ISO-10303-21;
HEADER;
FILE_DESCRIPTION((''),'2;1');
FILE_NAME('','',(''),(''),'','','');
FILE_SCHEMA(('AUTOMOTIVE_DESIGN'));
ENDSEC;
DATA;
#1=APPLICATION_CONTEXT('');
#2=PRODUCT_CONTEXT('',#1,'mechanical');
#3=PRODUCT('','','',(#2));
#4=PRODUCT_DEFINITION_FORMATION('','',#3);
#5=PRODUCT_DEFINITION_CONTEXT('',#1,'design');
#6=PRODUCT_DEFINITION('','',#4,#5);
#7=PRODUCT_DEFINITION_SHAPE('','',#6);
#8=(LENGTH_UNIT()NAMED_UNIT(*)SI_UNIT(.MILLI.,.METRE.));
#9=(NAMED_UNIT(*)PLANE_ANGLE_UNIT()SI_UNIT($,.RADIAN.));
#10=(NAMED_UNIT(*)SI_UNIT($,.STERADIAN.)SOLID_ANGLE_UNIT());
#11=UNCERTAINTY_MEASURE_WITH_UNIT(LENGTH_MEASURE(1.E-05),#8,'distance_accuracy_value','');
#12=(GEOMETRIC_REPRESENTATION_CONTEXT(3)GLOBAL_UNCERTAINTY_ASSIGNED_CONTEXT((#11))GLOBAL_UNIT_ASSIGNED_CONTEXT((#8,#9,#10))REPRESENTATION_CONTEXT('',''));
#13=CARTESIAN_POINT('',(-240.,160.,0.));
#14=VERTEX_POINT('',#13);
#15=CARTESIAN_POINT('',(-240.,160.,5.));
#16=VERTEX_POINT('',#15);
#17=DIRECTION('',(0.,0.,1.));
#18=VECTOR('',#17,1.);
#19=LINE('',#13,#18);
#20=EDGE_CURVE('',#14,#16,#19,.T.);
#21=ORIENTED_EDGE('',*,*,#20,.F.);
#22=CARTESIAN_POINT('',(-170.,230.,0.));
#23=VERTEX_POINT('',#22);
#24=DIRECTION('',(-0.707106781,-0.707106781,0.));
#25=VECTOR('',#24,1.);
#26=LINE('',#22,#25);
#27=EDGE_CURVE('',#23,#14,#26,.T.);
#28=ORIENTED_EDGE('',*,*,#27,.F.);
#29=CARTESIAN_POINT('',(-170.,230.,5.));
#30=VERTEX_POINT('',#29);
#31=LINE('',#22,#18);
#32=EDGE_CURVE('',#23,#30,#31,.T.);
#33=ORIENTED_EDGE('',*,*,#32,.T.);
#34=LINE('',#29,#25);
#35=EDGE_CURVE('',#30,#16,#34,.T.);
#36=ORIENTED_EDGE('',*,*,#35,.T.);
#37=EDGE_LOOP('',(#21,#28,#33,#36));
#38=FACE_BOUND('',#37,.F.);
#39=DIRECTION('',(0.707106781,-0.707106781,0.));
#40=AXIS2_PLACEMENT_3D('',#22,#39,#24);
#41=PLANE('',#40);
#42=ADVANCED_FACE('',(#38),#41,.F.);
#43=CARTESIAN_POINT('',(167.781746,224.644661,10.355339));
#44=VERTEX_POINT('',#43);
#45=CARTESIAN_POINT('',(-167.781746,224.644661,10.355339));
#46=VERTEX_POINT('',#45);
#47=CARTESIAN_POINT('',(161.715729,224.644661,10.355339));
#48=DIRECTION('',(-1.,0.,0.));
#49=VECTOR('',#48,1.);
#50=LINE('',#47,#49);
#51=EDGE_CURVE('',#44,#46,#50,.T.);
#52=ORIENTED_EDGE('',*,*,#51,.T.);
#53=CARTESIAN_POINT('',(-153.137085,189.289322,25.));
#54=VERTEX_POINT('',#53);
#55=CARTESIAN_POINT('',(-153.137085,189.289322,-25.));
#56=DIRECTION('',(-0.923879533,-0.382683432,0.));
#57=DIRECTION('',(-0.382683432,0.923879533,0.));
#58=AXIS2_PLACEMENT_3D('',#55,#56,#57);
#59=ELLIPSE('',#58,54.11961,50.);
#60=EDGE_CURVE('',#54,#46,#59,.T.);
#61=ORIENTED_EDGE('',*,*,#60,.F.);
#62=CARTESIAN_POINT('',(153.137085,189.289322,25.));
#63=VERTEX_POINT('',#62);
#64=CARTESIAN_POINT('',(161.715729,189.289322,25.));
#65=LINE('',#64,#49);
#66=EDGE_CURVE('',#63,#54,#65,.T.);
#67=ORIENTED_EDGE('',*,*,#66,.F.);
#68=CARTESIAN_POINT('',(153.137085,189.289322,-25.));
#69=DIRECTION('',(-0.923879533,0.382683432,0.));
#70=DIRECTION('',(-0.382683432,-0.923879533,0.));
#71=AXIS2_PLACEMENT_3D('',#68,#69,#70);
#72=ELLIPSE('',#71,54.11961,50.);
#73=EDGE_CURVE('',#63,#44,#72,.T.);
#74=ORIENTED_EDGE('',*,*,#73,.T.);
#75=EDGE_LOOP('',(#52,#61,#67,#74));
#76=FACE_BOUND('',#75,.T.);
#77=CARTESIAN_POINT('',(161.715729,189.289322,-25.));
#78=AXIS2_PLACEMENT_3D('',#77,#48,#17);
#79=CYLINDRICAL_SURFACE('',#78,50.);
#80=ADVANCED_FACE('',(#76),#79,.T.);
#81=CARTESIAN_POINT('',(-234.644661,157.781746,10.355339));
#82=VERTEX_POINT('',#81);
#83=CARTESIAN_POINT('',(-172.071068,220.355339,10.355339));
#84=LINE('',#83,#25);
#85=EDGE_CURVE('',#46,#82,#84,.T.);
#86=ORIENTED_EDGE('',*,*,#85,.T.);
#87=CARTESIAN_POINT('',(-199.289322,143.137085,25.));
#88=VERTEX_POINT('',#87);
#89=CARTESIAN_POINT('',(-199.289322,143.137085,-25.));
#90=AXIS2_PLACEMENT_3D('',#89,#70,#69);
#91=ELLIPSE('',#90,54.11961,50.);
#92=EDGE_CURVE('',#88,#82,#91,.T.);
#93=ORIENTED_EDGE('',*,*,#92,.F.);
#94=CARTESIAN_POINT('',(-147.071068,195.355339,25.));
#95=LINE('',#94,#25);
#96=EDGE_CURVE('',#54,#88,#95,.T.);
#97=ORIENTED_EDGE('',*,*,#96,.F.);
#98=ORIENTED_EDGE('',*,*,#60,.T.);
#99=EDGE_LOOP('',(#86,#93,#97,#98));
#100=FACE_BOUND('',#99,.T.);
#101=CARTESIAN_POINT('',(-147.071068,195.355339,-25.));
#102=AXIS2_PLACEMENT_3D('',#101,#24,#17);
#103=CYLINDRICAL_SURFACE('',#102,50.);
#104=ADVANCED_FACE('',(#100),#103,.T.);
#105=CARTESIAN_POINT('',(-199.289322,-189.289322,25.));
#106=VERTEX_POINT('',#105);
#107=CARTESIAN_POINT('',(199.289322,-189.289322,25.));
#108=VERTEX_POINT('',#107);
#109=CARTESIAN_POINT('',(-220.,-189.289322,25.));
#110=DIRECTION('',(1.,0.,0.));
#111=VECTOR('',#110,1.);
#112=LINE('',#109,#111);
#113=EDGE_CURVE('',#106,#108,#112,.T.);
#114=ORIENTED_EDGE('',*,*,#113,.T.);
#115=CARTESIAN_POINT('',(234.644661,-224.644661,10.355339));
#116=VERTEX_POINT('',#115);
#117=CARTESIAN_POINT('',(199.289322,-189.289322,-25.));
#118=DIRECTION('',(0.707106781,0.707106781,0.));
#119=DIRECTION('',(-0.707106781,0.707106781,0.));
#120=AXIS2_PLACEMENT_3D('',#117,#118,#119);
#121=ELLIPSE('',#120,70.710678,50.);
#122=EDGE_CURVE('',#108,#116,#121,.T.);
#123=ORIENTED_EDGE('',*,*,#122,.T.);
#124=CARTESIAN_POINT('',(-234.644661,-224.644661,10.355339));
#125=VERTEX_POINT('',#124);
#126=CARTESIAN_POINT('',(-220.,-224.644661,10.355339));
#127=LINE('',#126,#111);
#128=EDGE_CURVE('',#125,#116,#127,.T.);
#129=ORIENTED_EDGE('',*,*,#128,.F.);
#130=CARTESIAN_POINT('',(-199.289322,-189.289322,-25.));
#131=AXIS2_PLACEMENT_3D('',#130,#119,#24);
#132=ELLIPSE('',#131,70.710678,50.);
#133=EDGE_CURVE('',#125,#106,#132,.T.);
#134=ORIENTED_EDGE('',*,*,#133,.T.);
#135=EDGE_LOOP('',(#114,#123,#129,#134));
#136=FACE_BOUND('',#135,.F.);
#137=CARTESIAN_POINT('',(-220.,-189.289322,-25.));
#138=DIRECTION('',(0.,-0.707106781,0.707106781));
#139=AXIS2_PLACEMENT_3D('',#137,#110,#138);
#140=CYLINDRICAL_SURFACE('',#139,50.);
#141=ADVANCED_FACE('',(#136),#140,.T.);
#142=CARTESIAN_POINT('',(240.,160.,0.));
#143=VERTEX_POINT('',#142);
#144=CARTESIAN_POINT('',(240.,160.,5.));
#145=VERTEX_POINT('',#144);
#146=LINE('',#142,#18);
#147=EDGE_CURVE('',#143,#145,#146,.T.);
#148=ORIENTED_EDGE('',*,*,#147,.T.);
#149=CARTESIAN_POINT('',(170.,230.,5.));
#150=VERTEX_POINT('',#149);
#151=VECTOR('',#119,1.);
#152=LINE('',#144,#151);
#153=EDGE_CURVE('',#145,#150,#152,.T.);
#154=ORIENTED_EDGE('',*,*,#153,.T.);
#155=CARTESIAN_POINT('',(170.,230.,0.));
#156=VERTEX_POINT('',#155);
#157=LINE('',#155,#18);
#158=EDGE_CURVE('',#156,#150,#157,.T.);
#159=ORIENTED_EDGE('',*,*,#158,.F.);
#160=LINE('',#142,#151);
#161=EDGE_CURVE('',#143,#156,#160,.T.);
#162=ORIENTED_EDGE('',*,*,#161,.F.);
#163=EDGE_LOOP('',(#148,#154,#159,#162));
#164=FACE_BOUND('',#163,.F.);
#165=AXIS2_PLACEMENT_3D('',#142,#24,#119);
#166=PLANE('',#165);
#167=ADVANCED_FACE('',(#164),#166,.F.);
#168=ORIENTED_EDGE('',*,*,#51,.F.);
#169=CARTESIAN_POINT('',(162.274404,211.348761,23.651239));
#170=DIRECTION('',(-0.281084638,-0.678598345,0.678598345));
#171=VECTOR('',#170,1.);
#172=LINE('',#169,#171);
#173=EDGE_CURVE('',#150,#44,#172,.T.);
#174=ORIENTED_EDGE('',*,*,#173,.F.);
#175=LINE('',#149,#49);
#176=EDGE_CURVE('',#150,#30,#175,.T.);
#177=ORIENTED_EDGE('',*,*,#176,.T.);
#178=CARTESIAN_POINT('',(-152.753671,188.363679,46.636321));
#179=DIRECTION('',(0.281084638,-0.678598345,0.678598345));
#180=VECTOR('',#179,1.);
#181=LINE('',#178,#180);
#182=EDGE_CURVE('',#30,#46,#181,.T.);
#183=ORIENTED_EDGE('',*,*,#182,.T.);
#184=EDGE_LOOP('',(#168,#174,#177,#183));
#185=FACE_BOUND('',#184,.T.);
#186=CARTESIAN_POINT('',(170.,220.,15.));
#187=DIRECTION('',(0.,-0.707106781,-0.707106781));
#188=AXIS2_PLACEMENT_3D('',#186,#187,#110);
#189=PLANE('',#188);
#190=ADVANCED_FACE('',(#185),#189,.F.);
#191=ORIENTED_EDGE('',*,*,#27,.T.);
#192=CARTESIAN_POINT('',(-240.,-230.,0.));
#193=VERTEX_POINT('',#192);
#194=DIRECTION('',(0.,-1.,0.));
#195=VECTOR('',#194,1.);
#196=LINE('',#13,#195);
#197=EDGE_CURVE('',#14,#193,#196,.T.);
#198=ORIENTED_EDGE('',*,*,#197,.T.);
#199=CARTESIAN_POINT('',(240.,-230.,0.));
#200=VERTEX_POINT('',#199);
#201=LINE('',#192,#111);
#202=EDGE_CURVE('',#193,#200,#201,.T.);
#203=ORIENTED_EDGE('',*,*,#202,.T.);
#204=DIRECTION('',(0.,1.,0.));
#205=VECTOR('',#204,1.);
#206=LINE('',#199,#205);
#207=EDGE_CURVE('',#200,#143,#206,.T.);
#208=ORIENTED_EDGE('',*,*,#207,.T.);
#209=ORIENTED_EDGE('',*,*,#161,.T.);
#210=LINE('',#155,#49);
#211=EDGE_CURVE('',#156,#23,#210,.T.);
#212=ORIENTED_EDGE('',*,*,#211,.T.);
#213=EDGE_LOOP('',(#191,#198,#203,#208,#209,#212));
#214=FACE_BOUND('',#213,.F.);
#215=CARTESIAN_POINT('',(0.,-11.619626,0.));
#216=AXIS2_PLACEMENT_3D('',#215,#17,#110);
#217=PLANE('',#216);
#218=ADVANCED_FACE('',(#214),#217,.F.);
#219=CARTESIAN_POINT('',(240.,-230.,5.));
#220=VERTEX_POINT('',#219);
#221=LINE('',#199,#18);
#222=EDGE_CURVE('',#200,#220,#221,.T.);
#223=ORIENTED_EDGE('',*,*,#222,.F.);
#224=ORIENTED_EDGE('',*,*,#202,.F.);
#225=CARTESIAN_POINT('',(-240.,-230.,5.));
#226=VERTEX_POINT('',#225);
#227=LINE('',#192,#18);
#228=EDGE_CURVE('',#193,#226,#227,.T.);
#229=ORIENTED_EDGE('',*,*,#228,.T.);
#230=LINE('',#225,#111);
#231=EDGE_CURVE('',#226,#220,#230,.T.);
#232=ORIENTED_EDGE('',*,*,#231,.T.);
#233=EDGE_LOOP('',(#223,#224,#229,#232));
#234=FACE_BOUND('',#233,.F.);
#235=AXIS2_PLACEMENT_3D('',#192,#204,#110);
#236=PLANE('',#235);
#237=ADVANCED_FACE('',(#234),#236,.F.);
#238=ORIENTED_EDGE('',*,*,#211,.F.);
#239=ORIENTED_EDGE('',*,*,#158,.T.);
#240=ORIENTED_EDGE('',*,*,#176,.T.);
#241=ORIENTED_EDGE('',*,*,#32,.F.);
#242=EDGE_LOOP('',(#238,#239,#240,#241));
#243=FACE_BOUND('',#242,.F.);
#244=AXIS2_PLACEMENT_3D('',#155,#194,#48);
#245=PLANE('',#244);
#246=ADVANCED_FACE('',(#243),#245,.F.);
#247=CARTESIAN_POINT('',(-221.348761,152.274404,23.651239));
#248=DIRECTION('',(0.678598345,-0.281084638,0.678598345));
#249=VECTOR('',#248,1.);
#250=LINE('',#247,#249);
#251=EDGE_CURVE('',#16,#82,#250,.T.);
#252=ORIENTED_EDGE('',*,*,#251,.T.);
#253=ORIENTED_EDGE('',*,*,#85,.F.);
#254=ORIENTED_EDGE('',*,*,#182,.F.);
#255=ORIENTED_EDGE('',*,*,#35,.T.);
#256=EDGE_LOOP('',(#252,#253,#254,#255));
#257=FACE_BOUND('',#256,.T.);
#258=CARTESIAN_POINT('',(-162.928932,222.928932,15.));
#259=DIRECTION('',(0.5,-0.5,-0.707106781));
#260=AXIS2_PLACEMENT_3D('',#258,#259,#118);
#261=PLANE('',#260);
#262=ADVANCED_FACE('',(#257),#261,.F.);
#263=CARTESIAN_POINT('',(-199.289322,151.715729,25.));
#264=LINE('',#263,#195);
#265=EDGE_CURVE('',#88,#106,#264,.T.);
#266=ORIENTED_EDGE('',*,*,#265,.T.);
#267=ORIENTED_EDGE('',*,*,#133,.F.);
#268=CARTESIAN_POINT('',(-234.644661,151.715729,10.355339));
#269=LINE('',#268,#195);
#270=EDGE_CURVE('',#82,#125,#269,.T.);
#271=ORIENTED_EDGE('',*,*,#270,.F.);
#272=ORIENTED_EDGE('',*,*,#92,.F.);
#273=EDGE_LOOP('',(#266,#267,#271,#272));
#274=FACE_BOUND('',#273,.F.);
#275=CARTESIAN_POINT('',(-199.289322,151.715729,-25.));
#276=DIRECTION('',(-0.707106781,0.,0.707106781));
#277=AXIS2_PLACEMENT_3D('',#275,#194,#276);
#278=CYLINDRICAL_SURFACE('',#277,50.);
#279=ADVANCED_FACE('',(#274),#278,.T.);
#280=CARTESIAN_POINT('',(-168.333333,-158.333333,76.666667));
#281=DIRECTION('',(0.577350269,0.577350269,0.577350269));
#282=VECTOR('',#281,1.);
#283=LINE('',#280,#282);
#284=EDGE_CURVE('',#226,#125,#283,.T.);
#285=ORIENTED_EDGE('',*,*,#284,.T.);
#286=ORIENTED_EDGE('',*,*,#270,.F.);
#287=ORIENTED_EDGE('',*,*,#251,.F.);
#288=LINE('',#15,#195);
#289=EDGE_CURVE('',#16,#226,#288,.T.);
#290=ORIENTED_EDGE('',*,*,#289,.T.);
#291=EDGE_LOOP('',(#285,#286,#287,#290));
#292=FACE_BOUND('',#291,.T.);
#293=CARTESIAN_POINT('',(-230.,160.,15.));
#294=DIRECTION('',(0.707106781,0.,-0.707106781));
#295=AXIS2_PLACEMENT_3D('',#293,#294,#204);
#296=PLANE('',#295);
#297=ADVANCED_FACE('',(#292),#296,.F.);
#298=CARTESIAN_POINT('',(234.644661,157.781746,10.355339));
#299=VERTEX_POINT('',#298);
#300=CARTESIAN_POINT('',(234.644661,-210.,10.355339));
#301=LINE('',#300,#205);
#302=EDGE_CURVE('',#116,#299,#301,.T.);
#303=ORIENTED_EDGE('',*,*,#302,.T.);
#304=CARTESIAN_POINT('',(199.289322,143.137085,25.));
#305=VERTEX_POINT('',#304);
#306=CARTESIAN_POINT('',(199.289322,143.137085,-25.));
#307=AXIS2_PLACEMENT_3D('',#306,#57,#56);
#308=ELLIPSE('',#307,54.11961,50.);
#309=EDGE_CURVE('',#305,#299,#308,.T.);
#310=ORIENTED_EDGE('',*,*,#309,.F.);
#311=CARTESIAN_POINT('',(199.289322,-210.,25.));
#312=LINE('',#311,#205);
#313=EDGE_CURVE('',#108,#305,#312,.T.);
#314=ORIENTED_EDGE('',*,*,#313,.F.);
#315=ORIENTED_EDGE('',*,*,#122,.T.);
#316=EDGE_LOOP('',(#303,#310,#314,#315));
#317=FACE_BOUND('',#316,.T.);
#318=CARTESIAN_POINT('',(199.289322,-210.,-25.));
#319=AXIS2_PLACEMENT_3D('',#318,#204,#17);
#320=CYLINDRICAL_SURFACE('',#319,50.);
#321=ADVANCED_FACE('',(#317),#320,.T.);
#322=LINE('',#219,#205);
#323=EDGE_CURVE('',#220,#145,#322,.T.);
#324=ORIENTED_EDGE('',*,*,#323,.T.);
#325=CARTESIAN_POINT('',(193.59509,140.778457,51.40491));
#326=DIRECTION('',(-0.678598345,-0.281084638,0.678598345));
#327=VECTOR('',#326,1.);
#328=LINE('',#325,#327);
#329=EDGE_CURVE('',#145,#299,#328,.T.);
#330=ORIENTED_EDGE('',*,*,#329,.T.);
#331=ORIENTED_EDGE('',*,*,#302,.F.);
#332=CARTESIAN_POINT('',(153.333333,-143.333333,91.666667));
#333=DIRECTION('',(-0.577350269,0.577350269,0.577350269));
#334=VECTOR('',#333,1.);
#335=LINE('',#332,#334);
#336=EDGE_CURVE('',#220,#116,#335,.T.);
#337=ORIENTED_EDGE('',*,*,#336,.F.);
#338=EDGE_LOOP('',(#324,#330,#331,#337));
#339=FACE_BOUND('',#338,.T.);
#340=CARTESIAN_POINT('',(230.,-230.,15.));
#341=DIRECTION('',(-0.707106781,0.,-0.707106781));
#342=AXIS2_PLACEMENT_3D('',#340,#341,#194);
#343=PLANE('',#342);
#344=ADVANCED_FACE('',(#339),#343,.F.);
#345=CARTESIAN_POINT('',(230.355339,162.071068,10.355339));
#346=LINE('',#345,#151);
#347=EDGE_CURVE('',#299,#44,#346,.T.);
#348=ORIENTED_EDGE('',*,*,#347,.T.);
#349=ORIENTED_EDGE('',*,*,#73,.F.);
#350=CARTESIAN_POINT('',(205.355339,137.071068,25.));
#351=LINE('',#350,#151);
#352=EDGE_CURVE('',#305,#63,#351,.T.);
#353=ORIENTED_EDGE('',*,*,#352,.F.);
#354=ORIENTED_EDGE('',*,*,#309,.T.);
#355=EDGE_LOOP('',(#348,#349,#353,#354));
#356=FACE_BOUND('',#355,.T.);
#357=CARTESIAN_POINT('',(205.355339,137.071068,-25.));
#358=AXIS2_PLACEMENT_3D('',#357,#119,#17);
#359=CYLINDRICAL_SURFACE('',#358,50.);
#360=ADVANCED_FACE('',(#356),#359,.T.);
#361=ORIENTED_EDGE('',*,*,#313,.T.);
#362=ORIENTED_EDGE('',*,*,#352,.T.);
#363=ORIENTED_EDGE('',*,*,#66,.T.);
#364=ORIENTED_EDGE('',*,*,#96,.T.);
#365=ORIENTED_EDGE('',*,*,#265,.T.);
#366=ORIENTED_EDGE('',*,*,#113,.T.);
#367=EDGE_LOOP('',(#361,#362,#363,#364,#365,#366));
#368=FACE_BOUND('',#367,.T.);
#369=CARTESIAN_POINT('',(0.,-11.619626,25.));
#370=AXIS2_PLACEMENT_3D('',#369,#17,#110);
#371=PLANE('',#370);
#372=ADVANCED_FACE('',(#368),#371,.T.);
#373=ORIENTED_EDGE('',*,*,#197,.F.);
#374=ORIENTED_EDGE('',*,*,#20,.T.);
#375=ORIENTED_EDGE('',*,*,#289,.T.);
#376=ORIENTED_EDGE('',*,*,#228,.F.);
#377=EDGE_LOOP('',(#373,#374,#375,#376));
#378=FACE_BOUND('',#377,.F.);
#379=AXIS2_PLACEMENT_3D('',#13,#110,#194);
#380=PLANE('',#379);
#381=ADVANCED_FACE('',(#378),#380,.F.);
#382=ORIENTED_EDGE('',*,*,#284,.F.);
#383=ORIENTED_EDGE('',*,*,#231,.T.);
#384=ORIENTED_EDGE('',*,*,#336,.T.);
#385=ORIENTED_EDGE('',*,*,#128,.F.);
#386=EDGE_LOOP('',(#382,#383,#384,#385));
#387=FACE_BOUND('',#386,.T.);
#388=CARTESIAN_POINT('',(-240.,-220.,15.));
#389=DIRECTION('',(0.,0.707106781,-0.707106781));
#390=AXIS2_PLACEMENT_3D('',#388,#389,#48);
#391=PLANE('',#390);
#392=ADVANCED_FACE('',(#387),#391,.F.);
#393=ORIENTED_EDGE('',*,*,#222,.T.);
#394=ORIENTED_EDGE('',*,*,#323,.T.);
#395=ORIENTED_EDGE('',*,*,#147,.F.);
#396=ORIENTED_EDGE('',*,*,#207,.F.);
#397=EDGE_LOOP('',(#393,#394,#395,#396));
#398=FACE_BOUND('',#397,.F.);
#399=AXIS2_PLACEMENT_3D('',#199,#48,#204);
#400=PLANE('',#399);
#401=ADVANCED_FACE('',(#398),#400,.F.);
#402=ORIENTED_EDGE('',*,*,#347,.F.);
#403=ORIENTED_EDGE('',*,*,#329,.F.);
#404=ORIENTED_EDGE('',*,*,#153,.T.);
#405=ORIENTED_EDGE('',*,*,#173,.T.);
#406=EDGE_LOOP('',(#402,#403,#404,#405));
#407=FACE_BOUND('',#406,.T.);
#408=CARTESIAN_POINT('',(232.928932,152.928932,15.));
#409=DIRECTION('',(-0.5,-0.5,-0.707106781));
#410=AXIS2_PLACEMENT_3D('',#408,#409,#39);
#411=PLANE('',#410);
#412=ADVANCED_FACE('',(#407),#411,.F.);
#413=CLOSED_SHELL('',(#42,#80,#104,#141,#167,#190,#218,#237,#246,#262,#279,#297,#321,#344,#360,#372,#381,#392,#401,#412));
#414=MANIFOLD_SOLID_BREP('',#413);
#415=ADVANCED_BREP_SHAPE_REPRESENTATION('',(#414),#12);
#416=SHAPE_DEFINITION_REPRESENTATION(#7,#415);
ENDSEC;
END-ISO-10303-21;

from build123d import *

# Parameters (mm, degrees)
F1_DEPTH = 25
F2_SIZE  = 20
F3_R     = 50


with BuildPart() as f1:
    # F0 (on Top) → F1 (new body)
    with BuildSketch(Plane.XY):
        Polygon((-240, -230), (240, -230), (240, 160), (170, 230), (-170, 230), (-240, 160), align=None)
    extrude(amount=F1_DEPTH)

    # F2
    f2_edges = [f1.edges().sort_by_distance(p)[0] for p in [
        (205, 195, 25),
        (-205, 195, 25),
        (0, 230, 25),
        (240, -35, 25),
        (-240, -35, 25),
        (0, -230, 25),
    ]]
    chamfer(f2_edges, length=F2_SIZE)

    # F3
    f3_edges = [f1.edges().sort_by_distance(p)[0] for p in [
        (0, 210, 25),
        (190.857864, 180.857864, 25),
        (220, -29.142136, 25),
        (-190.857864, 180.857864, 25),
        (-220, -29.142136, 25),
        (0, -210, 25),
    ]]
    fillet(f3_edges, radius=F3_R)


solid = f1.part
